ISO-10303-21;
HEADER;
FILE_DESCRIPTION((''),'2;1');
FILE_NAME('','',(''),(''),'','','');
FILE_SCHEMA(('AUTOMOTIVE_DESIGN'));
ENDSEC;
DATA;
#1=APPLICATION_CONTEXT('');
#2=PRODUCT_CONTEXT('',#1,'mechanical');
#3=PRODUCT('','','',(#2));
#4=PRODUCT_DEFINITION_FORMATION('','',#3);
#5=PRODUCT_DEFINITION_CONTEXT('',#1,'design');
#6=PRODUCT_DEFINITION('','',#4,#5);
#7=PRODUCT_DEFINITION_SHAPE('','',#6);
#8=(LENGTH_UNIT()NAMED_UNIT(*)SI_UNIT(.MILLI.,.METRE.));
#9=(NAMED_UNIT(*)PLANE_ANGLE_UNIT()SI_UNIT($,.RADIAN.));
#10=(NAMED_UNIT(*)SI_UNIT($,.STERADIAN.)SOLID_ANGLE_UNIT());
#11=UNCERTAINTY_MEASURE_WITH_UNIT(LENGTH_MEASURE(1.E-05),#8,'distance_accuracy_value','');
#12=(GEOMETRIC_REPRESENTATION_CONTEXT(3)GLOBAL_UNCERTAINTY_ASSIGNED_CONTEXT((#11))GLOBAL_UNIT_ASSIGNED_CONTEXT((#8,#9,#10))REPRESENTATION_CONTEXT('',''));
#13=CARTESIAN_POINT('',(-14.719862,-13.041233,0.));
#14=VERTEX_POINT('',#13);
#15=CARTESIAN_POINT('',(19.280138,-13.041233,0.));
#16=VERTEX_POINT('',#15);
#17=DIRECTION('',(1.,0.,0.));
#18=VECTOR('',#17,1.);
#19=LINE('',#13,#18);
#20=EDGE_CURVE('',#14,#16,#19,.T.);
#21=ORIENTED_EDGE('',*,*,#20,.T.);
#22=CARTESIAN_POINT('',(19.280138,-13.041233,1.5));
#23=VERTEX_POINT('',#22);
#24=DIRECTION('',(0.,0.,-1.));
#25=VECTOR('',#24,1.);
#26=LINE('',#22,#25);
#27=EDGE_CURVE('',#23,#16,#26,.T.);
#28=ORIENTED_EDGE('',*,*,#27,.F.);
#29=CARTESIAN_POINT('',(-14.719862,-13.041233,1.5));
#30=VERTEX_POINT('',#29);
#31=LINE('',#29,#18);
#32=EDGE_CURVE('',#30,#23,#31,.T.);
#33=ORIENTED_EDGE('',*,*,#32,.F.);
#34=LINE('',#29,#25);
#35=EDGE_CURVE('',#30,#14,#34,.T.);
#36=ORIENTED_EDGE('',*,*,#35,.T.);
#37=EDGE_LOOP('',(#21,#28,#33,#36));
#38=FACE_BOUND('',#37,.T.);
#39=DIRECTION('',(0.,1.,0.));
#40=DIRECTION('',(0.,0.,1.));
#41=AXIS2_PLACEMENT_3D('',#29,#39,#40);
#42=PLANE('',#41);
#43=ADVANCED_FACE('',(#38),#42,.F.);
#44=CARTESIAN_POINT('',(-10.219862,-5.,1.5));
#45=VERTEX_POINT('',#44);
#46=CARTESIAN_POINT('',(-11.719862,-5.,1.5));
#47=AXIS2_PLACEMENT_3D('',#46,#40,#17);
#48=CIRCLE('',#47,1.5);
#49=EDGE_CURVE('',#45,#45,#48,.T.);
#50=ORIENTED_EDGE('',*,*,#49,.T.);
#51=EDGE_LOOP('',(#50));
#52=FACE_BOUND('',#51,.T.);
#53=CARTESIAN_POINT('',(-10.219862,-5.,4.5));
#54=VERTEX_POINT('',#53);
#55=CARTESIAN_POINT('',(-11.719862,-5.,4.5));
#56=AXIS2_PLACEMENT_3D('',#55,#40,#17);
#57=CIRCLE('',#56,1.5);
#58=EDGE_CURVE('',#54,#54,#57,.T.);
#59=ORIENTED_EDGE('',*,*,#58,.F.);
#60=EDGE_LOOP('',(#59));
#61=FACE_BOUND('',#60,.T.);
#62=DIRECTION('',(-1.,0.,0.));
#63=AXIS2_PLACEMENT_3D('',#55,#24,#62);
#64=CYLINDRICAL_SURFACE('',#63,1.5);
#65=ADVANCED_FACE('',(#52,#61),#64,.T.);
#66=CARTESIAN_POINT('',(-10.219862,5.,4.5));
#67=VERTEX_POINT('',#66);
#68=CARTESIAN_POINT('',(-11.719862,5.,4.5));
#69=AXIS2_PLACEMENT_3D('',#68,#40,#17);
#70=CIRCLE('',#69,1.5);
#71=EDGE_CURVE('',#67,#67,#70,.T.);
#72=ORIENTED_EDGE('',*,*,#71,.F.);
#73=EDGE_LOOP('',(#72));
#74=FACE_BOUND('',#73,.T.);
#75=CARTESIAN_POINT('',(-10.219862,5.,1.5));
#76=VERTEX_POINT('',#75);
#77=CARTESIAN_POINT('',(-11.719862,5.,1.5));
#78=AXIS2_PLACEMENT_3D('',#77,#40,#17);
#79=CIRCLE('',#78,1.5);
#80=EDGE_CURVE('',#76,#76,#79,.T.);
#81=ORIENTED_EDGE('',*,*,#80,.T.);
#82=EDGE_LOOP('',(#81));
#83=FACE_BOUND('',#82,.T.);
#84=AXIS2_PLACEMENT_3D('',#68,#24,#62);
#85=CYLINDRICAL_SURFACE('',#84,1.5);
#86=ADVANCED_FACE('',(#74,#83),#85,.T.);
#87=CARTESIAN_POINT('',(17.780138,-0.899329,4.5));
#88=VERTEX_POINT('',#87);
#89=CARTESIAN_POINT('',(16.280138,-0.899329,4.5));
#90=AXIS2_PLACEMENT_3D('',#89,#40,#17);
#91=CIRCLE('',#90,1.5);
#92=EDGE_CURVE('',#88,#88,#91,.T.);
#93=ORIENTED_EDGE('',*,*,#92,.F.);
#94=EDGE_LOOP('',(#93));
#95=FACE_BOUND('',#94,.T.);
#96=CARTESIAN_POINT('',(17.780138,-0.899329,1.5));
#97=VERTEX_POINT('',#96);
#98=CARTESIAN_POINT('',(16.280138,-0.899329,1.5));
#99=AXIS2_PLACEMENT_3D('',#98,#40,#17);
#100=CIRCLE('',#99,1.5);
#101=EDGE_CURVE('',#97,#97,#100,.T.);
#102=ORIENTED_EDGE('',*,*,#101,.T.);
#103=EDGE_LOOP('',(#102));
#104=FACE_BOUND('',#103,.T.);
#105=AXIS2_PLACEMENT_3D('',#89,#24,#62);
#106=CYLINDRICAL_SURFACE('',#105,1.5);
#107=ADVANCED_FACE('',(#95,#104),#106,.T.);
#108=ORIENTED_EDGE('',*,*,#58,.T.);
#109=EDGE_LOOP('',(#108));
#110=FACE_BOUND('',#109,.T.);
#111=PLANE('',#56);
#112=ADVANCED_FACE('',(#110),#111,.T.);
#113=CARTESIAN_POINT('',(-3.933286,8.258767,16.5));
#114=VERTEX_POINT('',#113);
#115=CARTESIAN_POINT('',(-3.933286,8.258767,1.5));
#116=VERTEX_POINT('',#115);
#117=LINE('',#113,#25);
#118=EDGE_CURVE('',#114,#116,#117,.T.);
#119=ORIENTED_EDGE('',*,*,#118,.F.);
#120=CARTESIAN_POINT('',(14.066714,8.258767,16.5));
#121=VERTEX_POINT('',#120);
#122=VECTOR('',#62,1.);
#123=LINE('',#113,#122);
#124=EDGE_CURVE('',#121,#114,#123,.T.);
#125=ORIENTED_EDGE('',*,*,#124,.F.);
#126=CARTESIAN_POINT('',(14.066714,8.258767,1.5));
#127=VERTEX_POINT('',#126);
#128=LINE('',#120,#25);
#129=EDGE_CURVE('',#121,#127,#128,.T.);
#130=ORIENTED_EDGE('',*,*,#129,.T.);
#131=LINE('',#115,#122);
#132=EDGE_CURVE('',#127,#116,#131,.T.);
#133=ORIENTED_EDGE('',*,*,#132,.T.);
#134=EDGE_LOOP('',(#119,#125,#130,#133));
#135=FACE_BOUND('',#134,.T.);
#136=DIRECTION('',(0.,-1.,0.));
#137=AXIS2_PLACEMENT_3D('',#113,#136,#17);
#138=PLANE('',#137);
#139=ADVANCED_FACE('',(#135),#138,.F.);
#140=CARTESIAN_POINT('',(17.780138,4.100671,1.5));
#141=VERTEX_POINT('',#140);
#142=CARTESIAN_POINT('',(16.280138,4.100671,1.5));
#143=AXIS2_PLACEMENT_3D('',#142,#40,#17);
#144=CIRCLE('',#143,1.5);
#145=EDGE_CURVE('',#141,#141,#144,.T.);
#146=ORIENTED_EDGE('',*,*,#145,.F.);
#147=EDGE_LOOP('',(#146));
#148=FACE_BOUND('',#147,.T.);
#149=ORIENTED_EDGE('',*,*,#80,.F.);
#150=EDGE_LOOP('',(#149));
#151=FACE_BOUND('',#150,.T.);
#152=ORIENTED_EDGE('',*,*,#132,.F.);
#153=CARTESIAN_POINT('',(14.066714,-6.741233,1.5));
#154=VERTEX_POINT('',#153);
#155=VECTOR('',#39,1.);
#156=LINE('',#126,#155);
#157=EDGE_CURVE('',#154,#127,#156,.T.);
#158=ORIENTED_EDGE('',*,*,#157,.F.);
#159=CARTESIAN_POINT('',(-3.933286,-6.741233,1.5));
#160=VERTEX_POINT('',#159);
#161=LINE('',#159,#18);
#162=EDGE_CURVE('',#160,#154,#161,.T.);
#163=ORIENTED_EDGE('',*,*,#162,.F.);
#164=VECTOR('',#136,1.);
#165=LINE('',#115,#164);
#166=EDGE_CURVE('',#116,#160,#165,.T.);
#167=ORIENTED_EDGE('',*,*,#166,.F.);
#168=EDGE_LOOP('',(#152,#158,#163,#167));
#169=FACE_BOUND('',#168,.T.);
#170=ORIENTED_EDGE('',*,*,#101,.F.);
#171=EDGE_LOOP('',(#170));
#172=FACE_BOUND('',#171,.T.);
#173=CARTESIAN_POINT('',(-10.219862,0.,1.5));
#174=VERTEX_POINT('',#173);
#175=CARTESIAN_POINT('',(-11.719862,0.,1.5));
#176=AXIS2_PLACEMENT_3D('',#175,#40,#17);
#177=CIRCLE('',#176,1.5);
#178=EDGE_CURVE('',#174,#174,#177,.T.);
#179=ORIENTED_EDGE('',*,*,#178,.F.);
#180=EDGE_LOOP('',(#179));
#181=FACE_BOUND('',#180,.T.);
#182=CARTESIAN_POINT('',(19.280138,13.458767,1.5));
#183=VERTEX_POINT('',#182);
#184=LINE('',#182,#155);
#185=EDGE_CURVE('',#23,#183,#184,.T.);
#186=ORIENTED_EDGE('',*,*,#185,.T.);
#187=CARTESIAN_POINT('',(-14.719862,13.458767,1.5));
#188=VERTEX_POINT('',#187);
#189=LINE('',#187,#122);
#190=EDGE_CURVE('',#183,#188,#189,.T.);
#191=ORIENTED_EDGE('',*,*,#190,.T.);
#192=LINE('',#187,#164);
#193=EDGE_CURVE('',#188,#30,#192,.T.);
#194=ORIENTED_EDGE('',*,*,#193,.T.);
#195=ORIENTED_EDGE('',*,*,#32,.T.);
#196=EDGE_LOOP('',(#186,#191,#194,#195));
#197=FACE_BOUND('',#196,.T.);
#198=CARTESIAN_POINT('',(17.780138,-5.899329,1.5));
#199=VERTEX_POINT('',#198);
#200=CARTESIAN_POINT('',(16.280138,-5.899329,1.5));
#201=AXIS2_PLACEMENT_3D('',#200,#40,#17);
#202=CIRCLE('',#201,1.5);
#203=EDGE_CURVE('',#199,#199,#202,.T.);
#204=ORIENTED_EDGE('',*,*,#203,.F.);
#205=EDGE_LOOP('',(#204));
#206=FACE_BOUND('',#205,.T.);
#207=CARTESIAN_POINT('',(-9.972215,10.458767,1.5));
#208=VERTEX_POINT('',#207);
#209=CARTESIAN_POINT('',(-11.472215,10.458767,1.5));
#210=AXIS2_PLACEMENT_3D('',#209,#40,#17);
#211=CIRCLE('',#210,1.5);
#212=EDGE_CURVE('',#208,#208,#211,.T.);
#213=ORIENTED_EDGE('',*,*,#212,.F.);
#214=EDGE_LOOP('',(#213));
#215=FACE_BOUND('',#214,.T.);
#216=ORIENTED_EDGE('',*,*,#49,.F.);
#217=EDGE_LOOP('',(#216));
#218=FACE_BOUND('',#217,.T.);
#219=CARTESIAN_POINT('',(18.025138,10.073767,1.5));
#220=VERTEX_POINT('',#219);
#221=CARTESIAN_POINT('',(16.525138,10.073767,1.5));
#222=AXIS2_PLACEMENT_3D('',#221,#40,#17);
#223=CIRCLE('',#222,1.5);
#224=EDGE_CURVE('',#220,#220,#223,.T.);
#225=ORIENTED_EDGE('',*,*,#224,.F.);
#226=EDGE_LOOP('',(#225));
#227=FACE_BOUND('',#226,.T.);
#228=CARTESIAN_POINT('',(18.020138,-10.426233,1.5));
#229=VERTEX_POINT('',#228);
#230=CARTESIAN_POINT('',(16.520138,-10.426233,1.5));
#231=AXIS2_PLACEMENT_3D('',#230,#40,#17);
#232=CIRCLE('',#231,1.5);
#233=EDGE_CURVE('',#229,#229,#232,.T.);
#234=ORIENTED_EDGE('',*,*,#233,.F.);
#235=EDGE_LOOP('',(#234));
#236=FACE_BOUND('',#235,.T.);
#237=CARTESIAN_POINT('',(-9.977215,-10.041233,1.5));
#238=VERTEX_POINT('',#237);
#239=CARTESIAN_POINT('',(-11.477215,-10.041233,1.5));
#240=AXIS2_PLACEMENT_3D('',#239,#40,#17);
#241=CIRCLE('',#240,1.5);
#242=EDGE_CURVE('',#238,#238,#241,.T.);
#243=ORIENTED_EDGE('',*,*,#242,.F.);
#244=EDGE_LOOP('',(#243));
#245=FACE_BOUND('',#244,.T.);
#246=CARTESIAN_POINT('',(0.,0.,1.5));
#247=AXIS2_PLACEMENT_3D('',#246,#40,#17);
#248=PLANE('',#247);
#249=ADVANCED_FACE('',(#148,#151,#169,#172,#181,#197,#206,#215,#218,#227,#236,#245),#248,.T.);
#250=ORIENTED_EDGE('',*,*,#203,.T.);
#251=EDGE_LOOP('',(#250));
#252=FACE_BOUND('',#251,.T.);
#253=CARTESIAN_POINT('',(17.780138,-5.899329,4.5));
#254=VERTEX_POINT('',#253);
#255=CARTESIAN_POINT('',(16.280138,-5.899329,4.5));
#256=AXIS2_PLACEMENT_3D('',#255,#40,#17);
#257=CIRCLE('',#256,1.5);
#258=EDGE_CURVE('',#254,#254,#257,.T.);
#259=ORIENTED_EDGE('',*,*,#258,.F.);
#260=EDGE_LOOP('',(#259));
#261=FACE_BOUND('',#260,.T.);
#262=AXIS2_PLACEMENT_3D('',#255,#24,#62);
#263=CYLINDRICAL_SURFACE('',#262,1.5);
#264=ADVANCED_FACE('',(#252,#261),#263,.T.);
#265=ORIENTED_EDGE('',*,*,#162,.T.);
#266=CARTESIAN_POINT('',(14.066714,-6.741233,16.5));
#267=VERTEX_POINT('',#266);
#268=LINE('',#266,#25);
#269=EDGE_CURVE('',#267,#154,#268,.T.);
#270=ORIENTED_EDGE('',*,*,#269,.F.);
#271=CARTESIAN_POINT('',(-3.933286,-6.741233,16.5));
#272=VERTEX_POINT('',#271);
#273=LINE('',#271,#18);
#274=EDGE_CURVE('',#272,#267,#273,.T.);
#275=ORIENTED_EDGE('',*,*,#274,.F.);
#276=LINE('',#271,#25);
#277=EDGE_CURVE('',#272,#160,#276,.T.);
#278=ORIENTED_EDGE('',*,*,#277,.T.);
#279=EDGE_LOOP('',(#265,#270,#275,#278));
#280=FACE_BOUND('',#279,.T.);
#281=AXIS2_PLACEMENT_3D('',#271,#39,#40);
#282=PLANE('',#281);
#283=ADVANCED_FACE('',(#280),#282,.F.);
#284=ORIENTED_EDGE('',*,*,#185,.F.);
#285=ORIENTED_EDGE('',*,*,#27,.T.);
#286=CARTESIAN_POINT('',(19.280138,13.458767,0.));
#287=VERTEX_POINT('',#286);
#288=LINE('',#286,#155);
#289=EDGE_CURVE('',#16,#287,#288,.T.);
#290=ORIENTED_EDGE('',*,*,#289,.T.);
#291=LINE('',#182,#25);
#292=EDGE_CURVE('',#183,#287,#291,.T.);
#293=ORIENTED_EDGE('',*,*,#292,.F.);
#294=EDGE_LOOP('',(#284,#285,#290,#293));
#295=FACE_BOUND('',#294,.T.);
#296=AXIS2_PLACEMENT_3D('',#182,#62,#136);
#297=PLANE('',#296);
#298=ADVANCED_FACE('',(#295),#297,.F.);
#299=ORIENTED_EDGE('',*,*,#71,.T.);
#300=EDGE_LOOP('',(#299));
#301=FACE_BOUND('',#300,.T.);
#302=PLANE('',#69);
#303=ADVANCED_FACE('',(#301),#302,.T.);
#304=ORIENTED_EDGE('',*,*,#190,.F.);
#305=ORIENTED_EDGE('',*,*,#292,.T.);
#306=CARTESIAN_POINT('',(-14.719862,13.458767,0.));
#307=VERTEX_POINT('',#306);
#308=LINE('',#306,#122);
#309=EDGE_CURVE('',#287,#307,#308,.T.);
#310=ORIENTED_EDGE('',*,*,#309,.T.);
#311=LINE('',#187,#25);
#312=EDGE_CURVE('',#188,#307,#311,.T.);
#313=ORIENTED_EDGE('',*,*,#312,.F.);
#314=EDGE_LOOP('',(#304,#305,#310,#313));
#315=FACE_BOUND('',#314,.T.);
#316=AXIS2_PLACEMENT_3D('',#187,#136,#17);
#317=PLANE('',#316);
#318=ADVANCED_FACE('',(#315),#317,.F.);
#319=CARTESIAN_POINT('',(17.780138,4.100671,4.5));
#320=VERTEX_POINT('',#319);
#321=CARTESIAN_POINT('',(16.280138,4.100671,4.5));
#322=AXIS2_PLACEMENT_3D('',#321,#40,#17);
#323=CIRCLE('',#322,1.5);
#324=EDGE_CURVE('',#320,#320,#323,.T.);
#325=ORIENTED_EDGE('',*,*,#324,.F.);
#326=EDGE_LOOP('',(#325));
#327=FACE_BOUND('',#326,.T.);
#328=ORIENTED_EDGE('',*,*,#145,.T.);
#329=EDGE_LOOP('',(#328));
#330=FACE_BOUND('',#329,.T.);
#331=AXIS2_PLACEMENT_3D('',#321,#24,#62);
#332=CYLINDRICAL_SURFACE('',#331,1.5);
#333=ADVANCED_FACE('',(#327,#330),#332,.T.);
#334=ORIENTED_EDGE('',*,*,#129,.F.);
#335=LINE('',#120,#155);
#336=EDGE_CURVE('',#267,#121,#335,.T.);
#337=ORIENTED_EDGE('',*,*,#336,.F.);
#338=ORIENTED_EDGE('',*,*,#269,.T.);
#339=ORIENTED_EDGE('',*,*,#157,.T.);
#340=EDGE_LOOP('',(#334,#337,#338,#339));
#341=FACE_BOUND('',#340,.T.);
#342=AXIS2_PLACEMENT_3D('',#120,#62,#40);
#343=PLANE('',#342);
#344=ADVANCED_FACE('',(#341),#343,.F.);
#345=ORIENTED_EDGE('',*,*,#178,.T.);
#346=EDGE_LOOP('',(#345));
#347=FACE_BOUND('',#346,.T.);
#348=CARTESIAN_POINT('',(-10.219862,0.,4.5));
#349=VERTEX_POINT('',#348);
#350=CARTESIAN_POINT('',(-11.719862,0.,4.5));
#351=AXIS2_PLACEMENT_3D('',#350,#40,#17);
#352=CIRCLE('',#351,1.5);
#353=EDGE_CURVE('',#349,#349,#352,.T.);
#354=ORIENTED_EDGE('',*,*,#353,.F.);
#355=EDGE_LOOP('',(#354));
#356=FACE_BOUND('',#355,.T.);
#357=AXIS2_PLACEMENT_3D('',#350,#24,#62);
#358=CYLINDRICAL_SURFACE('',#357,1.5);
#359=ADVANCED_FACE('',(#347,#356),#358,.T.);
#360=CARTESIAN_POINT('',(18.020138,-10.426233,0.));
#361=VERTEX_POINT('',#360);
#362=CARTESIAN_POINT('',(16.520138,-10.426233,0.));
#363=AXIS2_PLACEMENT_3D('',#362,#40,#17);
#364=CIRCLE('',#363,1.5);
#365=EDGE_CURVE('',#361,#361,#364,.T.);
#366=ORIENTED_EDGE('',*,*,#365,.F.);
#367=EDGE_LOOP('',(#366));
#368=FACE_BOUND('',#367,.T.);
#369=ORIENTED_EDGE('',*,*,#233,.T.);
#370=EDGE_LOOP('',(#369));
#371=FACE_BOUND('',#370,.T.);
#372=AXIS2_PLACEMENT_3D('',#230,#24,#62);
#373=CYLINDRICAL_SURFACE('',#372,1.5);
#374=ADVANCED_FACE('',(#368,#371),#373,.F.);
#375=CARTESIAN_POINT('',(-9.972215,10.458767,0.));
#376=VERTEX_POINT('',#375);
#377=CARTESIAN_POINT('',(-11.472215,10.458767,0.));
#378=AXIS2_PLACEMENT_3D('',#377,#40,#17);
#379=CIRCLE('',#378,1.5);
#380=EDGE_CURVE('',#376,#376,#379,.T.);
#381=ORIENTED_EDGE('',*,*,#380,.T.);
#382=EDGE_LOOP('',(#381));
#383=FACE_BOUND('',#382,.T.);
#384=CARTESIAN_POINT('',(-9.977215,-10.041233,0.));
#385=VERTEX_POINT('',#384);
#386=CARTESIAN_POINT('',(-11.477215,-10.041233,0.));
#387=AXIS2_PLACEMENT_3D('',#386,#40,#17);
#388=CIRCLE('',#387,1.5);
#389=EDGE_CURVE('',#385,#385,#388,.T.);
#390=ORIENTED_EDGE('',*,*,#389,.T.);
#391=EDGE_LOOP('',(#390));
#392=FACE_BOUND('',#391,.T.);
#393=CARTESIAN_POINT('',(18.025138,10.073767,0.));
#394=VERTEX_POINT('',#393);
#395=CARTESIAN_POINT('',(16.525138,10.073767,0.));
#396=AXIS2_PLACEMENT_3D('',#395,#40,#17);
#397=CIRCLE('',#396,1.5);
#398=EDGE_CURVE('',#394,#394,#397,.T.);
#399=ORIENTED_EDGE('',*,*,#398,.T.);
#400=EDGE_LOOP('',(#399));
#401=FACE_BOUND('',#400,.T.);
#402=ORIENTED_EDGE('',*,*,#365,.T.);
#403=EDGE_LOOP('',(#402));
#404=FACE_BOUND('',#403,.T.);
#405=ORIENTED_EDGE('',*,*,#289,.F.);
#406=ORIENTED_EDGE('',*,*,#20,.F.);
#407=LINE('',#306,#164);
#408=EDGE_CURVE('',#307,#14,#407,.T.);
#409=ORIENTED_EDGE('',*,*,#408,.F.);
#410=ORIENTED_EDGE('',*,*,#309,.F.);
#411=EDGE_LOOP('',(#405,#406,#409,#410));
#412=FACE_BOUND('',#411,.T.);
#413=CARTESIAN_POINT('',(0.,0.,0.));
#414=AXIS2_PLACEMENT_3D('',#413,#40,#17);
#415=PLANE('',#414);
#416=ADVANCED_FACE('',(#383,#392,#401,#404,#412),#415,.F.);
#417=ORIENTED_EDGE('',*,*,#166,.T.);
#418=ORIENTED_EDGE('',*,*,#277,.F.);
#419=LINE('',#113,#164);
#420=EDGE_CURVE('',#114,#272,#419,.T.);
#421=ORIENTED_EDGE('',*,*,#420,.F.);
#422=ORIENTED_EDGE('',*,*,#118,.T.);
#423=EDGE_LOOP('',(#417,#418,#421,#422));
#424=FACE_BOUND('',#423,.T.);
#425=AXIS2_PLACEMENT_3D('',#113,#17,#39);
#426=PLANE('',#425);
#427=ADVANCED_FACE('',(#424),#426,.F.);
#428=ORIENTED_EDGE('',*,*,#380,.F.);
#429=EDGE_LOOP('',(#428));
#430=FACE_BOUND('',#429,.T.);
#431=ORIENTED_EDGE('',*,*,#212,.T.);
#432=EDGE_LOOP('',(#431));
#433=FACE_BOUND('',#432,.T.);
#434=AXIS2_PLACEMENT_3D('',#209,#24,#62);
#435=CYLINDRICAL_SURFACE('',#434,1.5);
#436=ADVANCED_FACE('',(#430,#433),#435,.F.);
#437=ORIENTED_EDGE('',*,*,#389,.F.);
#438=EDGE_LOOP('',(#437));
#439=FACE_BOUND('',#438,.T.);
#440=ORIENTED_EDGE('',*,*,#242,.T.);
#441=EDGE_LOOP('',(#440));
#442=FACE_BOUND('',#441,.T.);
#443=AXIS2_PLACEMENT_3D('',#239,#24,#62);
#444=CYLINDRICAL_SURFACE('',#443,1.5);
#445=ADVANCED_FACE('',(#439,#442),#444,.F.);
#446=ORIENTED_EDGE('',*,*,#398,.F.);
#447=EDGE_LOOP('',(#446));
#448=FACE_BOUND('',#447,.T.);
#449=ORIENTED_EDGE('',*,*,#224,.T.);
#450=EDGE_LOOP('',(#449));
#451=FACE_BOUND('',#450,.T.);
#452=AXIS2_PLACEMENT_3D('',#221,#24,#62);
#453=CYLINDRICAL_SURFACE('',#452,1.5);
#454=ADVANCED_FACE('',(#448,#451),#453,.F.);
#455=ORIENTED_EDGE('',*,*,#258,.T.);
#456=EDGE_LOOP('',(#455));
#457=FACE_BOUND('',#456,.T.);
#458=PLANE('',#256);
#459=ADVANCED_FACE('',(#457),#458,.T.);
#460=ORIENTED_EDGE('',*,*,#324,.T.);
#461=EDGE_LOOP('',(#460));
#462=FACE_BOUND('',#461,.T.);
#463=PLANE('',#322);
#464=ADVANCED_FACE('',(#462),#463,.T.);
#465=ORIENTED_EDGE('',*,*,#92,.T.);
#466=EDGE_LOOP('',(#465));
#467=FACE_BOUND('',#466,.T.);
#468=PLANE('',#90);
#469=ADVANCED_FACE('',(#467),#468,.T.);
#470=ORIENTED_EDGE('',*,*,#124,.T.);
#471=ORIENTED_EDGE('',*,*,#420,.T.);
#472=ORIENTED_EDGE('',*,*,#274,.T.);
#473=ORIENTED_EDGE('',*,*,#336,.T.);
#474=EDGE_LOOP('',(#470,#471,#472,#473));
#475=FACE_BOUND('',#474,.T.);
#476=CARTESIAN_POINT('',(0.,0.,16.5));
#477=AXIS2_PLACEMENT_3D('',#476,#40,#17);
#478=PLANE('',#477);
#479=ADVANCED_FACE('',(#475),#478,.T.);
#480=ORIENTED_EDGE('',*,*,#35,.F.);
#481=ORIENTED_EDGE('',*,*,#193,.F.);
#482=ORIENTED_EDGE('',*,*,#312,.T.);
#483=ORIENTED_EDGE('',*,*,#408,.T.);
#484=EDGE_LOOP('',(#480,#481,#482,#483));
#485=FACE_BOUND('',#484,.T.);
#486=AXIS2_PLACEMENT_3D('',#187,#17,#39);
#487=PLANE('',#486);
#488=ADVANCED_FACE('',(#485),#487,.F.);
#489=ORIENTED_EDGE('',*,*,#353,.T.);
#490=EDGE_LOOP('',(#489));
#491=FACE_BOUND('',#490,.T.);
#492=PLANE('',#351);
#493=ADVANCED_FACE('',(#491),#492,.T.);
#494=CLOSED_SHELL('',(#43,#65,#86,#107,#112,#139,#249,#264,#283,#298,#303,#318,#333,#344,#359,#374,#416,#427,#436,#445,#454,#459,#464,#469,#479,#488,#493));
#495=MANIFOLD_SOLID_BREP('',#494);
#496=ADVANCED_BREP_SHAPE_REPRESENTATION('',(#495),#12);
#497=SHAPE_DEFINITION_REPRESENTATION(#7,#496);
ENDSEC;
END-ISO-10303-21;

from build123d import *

# Parameters (mm, degrees)
SKETCH_1_W      = 34
SKETCH_1_H      = 26.5
SKETCH_1_R      = 1.5
EXTRUDE_1_DEPTH = 1.5
SKETCH_2_W      = 18
SKETCH_2_H      = 15
EXTRUDE_2_DEPTH = 15
SKETCH_3_R      = 1.5
EXTRUDE_3_DEPTH = 3


with BuildPart() as part:
    # 草圖1 → 填料-伸長1 (new body)
    with BuildSketch(Plane.XY):
        with Locations((2.280137649, 0.208767123)):
            Rectangle(SKETCH_1_W, SKETCH_1_H)
        with Locations((-11.47221535, 10.458766514)):
            Circle(SKETCH_1_R, mode=Mode.SUBTRACT)
        with Locations((-11.47721535, -10.041232877)):
            Circle(SKETCH_1_R, mode=Mode.SUBTRACT)
        with Locations((16.520137649, -10.426232877)):
            Circle(SKETCH_1_R, mode=Mode.SUBTRACT)
        with Locations((16.525137649, 10.073766514)):
            Circle(SKETCH_1_R, mode=Mode.SUBTRACT)
    extrude(amount=EXTRUDE_1_DEPTH)

    # 草圖2 → 填料-伸長2 (add)
    with BuildSketch(Plane.XY.offset(1.5)):
        with Locations((5.066714054, 0.758767123)):
            Rectangle(SKETCH_2_W, SKETCH_2_H)
    extrude(amount=EXTRUDE_2_DEPTH)

    # 草圖3 → 填料-伸長3 (add)
    with BuildSketch(Plane.XY.offset(1.5)):
        with Locations((-11.719862351, 5)):
            Circle(SKETCH_3_R)
        with Locations((-11.719862351, 0)):
            Circle(SKETCH_3_R)
        with Locations((-11.719862351, -5)):
            Circle(SKETCH_3_R)
        with Locations((16.280137649, 4.100671386)):
            Circle(SKETCH_3_R)
        with Locations((16.280137649, -0.899328614)):
            Circle(SKETCH_3_R)
        with Locations((16.280137649, -5.899328614)):
            Circle(SKETCH_3_R)
    extrude(amount=EXTRUDE_3_DEPTH)


solid = part.part
